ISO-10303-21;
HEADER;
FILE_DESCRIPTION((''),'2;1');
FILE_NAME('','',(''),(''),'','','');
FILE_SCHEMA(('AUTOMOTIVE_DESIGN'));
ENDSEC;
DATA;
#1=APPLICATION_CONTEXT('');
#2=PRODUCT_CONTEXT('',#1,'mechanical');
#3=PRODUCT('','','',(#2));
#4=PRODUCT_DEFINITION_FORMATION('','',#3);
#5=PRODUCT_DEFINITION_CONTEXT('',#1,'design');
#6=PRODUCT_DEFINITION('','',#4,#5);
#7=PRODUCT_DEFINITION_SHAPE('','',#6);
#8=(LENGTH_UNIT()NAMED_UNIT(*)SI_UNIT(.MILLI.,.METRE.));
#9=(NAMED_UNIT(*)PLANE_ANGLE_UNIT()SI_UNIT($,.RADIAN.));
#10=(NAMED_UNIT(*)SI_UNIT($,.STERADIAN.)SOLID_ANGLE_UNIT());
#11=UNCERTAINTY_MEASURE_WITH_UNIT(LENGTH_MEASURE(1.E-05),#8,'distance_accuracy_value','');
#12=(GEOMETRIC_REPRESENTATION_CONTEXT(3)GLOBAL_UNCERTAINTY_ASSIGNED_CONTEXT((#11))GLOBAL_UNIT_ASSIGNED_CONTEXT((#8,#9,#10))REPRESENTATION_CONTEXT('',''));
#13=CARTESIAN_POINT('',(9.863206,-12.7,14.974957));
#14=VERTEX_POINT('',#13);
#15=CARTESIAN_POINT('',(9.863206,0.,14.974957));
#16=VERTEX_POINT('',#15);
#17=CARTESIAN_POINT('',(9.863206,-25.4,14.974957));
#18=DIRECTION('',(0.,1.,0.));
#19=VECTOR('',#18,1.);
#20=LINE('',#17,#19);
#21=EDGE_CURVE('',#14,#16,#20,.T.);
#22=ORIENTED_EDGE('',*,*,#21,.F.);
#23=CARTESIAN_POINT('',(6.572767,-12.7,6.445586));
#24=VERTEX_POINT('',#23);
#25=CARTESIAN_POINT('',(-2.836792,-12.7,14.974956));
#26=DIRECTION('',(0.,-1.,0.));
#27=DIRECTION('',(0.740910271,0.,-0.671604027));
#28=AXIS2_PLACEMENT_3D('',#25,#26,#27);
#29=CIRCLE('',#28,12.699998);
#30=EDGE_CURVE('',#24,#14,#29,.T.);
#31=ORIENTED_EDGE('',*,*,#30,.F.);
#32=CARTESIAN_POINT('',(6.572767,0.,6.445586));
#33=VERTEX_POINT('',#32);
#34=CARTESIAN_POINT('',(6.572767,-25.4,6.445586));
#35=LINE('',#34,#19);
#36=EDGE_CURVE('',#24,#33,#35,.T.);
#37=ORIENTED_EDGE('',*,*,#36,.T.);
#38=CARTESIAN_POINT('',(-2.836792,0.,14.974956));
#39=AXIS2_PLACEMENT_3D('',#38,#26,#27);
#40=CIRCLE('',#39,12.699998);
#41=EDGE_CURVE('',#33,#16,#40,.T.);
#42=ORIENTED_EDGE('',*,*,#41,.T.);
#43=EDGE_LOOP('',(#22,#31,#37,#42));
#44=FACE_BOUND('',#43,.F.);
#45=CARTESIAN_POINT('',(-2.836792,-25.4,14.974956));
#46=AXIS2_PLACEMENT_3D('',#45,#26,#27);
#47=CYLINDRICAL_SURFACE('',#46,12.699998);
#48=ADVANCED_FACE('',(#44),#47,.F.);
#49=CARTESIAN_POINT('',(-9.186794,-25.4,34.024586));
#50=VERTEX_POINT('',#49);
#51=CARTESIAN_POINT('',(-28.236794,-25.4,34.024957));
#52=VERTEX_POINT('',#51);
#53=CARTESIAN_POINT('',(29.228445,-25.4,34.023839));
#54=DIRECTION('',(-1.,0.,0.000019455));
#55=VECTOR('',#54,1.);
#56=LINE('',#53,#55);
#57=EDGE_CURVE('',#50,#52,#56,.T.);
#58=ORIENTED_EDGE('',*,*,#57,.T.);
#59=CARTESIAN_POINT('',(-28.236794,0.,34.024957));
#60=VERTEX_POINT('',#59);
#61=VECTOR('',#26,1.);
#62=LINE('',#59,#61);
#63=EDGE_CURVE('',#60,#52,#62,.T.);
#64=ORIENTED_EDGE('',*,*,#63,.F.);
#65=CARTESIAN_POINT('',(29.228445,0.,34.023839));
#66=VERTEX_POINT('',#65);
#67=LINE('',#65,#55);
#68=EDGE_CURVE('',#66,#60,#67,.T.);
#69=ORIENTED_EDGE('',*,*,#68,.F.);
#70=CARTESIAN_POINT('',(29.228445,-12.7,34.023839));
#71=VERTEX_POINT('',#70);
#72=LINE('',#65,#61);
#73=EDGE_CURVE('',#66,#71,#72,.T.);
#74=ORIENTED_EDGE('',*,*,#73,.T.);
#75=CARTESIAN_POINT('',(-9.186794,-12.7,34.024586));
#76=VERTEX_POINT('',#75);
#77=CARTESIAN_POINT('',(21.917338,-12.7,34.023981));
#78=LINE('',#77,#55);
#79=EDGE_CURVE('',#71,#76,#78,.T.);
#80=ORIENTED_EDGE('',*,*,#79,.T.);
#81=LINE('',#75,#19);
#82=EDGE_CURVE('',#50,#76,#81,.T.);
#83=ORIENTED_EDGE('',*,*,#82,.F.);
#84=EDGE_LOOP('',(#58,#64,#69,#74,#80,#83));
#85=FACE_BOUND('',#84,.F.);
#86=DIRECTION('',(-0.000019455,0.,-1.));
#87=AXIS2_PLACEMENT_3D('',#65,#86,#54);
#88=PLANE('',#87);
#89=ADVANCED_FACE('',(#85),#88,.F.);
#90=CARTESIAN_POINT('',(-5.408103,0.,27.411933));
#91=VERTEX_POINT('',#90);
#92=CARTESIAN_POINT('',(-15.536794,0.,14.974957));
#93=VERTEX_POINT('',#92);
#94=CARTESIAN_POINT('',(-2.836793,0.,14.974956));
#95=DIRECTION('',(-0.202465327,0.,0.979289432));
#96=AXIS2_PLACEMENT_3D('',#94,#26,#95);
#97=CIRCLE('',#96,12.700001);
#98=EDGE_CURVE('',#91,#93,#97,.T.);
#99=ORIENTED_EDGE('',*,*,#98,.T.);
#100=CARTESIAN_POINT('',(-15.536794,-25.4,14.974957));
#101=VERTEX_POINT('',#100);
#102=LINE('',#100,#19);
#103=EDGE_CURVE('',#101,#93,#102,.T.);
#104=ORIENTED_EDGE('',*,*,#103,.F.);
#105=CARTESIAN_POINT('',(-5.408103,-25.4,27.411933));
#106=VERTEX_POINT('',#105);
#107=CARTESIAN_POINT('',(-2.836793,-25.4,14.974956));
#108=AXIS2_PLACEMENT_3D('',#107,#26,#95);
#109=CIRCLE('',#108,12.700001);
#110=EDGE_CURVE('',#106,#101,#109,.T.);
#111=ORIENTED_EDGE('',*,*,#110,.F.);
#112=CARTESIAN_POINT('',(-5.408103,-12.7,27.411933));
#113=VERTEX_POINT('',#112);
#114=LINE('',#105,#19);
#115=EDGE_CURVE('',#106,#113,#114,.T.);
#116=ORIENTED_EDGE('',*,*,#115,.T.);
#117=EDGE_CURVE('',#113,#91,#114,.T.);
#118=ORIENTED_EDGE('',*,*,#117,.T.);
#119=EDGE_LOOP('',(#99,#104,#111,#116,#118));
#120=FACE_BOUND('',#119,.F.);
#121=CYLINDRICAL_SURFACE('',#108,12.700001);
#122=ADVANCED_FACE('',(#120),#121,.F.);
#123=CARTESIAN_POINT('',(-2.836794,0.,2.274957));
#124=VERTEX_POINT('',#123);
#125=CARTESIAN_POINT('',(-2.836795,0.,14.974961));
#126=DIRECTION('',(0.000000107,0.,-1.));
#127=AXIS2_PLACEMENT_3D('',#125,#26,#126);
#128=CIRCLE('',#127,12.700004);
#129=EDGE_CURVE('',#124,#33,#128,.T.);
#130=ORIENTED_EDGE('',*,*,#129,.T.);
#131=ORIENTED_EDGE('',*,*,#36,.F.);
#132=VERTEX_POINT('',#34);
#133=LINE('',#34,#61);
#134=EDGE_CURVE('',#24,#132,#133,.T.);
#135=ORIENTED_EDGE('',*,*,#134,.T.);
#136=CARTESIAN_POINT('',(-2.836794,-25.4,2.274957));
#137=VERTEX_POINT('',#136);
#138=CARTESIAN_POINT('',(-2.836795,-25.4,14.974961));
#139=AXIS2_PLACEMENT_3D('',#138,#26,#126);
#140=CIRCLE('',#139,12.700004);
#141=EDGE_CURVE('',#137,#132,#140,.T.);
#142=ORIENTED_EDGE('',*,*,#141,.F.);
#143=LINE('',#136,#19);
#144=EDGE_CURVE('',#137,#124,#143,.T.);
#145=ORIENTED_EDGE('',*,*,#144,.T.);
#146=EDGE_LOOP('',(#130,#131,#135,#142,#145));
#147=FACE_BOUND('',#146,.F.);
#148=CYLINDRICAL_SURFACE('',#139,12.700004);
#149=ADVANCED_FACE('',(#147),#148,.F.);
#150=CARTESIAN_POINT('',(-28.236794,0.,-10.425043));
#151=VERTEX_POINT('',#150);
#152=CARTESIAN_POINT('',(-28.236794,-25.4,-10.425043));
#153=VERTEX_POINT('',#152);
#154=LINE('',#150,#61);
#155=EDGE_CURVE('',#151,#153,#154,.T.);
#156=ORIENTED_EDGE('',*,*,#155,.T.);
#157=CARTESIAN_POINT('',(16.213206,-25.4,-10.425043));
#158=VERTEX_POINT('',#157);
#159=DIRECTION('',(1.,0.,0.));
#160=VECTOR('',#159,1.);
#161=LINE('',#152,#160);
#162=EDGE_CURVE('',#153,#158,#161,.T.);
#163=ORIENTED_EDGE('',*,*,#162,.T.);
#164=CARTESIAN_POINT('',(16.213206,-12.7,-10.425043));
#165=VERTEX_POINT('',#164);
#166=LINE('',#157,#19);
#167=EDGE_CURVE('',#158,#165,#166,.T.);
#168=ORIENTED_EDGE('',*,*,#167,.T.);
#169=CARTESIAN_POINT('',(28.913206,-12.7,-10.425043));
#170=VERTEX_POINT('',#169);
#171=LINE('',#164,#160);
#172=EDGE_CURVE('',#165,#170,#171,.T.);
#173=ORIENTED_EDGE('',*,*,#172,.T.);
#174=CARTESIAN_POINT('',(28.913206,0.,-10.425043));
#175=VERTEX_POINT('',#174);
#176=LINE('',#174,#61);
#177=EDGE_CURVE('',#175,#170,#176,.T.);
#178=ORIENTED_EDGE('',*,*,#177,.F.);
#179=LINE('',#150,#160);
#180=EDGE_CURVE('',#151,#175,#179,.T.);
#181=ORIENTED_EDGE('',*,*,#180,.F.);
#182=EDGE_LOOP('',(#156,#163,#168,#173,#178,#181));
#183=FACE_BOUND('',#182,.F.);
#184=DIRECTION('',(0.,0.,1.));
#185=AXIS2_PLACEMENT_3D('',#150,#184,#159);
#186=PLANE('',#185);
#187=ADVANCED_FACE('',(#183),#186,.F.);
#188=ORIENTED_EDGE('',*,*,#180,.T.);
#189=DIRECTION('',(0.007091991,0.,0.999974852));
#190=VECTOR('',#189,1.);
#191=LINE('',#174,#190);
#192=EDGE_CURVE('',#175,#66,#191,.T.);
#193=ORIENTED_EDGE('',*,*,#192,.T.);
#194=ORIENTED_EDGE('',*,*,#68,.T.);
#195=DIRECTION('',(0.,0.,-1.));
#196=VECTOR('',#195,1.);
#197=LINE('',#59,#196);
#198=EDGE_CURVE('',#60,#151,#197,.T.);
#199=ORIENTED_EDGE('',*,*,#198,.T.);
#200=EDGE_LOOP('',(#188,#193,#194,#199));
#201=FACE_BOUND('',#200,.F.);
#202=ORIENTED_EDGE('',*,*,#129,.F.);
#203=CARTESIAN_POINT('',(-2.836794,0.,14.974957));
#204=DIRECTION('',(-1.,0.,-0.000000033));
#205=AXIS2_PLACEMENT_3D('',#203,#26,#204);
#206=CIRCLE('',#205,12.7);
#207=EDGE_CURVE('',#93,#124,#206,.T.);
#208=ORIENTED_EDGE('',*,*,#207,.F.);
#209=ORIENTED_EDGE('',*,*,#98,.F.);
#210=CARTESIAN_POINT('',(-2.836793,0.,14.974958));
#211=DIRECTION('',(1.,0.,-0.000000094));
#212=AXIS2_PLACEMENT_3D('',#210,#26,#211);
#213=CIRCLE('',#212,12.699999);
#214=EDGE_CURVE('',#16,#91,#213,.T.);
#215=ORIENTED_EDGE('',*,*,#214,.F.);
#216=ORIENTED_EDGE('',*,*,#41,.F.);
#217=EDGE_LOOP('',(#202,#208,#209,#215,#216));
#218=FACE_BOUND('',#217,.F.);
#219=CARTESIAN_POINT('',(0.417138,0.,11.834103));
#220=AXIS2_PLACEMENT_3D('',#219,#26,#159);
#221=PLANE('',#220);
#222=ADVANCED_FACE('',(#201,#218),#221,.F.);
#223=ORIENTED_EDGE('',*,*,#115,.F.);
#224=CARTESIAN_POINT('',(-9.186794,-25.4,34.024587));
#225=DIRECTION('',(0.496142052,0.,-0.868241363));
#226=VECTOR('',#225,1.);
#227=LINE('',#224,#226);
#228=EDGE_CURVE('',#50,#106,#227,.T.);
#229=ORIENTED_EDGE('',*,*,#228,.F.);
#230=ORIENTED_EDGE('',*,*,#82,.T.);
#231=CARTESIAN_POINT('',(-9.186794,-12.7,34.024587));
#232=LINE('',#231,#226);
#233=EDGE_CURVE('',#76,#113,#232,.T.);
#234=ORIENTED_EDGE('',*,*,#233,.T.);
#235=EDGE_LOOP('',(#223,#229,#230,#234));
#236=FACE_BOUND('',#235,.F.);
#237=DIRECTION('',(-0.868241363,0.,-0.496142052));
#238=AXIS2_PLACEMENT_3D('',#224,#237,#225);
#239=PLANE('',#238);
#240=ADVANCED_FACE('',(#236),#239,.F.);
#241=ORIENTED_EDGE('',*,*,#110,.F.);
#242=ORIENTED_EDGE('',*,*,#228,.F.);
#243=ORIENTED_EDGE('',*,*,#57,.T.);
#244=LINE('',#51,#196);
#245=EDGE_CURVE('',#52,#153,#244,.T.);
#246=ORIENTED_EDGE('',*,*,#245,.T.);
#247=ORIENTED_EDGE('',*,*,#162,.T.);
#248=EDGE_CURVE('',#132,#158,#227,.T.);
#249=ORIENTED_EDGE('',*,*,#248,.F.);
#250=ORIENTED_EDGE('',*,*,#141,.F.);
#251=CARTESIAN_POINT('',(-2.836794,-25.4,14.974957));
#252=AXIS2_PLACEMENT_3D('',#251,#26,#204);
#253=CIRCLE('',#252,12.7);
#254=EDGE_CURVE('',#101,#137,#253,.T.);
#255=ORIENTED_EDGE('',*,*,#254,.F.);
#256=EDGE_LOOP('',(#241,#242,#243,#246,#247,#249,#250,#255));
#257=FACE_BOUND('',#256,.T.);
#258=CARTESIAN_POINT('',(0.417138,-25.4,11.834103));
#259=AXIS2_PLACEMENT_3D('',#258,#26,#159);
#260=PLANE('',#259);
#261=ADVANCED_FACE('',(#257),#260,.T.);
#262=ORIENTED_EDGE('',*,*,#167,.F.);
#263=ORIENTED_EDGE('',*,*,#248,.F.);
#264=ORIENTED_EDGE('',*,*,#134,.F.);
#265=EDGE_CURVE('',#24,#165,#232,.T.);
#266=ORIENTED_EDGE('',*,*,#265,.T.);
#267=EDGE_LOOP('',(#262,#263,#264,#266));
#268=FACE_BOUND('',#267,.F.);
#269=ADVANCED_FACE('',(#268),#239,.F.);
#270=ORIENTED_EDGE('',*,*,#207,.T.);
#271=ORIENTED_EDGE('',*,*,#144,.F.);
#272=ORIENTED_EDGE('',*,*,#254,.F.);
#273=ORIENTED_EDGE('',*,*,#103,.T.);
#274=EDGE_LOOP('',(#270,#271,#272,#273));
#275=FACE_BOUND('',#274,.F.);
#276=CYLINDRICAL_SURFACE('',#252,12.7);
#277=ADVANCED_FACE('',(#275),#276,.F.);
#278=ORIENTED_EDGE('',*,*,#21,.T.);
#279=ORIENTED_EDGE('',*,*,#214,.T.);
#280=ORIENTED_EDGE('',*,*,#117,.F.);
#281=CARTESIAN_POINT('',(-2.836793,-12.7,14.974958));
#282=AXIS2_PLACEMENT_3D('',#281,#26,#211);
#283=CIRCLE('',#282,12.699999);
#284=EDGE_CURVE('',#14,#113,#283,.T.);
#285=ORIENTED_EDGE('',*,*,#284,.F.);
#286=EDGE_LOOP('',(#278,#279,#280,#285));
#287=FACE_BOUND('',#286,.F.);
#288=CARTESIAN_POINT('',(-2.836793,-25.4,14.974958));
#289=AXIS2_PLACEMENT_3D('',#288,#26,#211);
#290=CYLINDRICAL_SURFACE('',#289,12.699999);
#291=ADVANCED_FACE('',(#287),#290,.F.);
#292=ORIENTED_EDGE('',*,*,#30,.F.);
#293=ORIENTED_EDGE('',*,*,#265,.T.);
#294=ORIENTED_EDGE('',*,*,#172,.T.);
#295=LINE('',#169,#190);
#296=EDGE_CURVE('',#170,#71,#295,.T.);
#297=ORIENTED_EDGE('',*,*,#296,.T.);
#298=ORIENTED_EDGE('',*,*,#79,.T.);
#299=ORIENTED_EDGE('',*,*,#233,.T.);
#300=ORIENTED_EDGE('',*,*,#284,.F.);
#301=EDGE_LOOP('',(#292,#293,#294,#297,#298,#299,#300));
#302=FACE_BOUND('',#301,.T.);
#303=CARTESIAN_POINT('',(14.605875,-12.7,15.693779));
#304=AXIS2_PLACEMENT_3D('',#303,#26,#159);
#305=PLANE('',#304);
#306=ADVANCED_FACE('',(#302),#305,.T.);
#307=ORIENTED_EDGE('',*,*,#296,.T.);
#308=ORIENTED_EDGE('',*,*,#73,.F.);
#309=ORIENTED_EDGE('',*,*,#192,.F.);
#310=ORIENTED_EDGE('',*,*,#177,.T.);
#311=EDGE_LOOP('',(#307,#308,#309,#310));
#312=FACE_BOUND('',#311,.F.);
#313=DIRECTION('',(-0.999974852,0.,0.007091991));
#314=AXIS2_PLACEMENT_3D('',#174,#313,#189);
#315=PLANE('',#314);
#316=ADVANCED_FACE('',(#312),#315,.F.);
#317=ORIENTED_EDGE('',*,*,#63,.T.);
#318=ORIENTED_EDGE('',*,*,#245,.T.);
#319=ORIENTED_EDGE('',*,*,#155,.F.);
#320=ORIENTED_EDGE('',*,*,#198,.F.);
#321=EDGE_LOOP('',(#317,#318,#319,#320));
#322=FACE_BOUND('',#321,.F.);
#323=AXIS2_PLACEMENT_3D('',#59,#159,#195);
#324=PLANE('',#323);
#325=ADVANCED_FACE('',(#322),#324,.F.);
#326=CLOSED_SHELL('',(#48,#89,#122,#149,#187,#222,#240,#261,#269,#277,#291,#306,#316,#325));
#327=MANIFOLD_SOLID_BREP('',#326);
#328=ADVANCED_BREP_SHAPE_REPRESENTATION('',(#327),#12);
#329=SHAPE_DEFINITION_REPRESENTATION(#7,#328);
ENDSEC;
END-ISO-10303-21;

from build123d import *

# Parameters (mm, degrees)
F1_DEPTH = 25.4
F3_DEPTH = 12.7
F5_DEPTH = 25.401


with BuildPart() as f1:
    # F0 (on Front) → F1 (new body)
    with BuildSketch(Plane.XZ):
        Polygon((29.228445, 34.023839), (-28.236794, 34.024957), (-28.236794, -10.425043), (28.913206, -10.425043), align=None)
    extrude(amount=F1_DEPTH)

    # F2 (on face) → F3 (cut)
    with BuildSketch(Plane.XZ.offset(25.4)):
        Polygon((29.228445, 34.023839), (-9.186794, 34.024587), (16.213206, -10.425043), (28.913206, -10.425043), align=None)
    extrude(amount=-F3_DEPTH, mode=Mode.SUBTRACT)

    # F4 (on face) → F5 (cut, through all)
    with BuildSketch(Plane.XZ.offset(25.4)):
        with BuildLine():
            Line((-2.836794, 14.974957), (-15.536794, 14.974957))
            ThreePointArc((-15.536794, 14.974957), (-11.81705, 5.994701), (-2.836794, 2.274957))
            Line((-2.836794, 2.274957), (-2.836794, 14.974957))
        make_face()
        with BuildLine():
            Line((6.572767, 6.445586), (-5.408103, 27.411933))
            ThreePointArc((-5.408103, 27.411933), (-12.684271, 22.994757), (-15.536794, 14.974957))
            Line((-15.536794, 14.974957), (-2.836794, 14.974957))
            Line((-2.836794, 14.974957), (-2.836794, 2.274957))
            ThreePointArc((-2.836794, 2.274957), (2.309418, 3.364337), (6.572767, 6.445586))
        make_face()
        with BuildLine():
            ThreePointArc((6.572767, 6.445586), (9.012076, 10.40393), (9.863206, 14.974957))
            ThreePointArc((9.863206, 14.974957), (5.183006, 24.822435), (-5.408103, 27.411933))
            Line((-5.408103, 27.411933), (6.572767, 6.445586))
        make_face()
    extrude(amount=-F5_DEPTH, mode=Mode.SUBTRACT)


solid = f1.part
